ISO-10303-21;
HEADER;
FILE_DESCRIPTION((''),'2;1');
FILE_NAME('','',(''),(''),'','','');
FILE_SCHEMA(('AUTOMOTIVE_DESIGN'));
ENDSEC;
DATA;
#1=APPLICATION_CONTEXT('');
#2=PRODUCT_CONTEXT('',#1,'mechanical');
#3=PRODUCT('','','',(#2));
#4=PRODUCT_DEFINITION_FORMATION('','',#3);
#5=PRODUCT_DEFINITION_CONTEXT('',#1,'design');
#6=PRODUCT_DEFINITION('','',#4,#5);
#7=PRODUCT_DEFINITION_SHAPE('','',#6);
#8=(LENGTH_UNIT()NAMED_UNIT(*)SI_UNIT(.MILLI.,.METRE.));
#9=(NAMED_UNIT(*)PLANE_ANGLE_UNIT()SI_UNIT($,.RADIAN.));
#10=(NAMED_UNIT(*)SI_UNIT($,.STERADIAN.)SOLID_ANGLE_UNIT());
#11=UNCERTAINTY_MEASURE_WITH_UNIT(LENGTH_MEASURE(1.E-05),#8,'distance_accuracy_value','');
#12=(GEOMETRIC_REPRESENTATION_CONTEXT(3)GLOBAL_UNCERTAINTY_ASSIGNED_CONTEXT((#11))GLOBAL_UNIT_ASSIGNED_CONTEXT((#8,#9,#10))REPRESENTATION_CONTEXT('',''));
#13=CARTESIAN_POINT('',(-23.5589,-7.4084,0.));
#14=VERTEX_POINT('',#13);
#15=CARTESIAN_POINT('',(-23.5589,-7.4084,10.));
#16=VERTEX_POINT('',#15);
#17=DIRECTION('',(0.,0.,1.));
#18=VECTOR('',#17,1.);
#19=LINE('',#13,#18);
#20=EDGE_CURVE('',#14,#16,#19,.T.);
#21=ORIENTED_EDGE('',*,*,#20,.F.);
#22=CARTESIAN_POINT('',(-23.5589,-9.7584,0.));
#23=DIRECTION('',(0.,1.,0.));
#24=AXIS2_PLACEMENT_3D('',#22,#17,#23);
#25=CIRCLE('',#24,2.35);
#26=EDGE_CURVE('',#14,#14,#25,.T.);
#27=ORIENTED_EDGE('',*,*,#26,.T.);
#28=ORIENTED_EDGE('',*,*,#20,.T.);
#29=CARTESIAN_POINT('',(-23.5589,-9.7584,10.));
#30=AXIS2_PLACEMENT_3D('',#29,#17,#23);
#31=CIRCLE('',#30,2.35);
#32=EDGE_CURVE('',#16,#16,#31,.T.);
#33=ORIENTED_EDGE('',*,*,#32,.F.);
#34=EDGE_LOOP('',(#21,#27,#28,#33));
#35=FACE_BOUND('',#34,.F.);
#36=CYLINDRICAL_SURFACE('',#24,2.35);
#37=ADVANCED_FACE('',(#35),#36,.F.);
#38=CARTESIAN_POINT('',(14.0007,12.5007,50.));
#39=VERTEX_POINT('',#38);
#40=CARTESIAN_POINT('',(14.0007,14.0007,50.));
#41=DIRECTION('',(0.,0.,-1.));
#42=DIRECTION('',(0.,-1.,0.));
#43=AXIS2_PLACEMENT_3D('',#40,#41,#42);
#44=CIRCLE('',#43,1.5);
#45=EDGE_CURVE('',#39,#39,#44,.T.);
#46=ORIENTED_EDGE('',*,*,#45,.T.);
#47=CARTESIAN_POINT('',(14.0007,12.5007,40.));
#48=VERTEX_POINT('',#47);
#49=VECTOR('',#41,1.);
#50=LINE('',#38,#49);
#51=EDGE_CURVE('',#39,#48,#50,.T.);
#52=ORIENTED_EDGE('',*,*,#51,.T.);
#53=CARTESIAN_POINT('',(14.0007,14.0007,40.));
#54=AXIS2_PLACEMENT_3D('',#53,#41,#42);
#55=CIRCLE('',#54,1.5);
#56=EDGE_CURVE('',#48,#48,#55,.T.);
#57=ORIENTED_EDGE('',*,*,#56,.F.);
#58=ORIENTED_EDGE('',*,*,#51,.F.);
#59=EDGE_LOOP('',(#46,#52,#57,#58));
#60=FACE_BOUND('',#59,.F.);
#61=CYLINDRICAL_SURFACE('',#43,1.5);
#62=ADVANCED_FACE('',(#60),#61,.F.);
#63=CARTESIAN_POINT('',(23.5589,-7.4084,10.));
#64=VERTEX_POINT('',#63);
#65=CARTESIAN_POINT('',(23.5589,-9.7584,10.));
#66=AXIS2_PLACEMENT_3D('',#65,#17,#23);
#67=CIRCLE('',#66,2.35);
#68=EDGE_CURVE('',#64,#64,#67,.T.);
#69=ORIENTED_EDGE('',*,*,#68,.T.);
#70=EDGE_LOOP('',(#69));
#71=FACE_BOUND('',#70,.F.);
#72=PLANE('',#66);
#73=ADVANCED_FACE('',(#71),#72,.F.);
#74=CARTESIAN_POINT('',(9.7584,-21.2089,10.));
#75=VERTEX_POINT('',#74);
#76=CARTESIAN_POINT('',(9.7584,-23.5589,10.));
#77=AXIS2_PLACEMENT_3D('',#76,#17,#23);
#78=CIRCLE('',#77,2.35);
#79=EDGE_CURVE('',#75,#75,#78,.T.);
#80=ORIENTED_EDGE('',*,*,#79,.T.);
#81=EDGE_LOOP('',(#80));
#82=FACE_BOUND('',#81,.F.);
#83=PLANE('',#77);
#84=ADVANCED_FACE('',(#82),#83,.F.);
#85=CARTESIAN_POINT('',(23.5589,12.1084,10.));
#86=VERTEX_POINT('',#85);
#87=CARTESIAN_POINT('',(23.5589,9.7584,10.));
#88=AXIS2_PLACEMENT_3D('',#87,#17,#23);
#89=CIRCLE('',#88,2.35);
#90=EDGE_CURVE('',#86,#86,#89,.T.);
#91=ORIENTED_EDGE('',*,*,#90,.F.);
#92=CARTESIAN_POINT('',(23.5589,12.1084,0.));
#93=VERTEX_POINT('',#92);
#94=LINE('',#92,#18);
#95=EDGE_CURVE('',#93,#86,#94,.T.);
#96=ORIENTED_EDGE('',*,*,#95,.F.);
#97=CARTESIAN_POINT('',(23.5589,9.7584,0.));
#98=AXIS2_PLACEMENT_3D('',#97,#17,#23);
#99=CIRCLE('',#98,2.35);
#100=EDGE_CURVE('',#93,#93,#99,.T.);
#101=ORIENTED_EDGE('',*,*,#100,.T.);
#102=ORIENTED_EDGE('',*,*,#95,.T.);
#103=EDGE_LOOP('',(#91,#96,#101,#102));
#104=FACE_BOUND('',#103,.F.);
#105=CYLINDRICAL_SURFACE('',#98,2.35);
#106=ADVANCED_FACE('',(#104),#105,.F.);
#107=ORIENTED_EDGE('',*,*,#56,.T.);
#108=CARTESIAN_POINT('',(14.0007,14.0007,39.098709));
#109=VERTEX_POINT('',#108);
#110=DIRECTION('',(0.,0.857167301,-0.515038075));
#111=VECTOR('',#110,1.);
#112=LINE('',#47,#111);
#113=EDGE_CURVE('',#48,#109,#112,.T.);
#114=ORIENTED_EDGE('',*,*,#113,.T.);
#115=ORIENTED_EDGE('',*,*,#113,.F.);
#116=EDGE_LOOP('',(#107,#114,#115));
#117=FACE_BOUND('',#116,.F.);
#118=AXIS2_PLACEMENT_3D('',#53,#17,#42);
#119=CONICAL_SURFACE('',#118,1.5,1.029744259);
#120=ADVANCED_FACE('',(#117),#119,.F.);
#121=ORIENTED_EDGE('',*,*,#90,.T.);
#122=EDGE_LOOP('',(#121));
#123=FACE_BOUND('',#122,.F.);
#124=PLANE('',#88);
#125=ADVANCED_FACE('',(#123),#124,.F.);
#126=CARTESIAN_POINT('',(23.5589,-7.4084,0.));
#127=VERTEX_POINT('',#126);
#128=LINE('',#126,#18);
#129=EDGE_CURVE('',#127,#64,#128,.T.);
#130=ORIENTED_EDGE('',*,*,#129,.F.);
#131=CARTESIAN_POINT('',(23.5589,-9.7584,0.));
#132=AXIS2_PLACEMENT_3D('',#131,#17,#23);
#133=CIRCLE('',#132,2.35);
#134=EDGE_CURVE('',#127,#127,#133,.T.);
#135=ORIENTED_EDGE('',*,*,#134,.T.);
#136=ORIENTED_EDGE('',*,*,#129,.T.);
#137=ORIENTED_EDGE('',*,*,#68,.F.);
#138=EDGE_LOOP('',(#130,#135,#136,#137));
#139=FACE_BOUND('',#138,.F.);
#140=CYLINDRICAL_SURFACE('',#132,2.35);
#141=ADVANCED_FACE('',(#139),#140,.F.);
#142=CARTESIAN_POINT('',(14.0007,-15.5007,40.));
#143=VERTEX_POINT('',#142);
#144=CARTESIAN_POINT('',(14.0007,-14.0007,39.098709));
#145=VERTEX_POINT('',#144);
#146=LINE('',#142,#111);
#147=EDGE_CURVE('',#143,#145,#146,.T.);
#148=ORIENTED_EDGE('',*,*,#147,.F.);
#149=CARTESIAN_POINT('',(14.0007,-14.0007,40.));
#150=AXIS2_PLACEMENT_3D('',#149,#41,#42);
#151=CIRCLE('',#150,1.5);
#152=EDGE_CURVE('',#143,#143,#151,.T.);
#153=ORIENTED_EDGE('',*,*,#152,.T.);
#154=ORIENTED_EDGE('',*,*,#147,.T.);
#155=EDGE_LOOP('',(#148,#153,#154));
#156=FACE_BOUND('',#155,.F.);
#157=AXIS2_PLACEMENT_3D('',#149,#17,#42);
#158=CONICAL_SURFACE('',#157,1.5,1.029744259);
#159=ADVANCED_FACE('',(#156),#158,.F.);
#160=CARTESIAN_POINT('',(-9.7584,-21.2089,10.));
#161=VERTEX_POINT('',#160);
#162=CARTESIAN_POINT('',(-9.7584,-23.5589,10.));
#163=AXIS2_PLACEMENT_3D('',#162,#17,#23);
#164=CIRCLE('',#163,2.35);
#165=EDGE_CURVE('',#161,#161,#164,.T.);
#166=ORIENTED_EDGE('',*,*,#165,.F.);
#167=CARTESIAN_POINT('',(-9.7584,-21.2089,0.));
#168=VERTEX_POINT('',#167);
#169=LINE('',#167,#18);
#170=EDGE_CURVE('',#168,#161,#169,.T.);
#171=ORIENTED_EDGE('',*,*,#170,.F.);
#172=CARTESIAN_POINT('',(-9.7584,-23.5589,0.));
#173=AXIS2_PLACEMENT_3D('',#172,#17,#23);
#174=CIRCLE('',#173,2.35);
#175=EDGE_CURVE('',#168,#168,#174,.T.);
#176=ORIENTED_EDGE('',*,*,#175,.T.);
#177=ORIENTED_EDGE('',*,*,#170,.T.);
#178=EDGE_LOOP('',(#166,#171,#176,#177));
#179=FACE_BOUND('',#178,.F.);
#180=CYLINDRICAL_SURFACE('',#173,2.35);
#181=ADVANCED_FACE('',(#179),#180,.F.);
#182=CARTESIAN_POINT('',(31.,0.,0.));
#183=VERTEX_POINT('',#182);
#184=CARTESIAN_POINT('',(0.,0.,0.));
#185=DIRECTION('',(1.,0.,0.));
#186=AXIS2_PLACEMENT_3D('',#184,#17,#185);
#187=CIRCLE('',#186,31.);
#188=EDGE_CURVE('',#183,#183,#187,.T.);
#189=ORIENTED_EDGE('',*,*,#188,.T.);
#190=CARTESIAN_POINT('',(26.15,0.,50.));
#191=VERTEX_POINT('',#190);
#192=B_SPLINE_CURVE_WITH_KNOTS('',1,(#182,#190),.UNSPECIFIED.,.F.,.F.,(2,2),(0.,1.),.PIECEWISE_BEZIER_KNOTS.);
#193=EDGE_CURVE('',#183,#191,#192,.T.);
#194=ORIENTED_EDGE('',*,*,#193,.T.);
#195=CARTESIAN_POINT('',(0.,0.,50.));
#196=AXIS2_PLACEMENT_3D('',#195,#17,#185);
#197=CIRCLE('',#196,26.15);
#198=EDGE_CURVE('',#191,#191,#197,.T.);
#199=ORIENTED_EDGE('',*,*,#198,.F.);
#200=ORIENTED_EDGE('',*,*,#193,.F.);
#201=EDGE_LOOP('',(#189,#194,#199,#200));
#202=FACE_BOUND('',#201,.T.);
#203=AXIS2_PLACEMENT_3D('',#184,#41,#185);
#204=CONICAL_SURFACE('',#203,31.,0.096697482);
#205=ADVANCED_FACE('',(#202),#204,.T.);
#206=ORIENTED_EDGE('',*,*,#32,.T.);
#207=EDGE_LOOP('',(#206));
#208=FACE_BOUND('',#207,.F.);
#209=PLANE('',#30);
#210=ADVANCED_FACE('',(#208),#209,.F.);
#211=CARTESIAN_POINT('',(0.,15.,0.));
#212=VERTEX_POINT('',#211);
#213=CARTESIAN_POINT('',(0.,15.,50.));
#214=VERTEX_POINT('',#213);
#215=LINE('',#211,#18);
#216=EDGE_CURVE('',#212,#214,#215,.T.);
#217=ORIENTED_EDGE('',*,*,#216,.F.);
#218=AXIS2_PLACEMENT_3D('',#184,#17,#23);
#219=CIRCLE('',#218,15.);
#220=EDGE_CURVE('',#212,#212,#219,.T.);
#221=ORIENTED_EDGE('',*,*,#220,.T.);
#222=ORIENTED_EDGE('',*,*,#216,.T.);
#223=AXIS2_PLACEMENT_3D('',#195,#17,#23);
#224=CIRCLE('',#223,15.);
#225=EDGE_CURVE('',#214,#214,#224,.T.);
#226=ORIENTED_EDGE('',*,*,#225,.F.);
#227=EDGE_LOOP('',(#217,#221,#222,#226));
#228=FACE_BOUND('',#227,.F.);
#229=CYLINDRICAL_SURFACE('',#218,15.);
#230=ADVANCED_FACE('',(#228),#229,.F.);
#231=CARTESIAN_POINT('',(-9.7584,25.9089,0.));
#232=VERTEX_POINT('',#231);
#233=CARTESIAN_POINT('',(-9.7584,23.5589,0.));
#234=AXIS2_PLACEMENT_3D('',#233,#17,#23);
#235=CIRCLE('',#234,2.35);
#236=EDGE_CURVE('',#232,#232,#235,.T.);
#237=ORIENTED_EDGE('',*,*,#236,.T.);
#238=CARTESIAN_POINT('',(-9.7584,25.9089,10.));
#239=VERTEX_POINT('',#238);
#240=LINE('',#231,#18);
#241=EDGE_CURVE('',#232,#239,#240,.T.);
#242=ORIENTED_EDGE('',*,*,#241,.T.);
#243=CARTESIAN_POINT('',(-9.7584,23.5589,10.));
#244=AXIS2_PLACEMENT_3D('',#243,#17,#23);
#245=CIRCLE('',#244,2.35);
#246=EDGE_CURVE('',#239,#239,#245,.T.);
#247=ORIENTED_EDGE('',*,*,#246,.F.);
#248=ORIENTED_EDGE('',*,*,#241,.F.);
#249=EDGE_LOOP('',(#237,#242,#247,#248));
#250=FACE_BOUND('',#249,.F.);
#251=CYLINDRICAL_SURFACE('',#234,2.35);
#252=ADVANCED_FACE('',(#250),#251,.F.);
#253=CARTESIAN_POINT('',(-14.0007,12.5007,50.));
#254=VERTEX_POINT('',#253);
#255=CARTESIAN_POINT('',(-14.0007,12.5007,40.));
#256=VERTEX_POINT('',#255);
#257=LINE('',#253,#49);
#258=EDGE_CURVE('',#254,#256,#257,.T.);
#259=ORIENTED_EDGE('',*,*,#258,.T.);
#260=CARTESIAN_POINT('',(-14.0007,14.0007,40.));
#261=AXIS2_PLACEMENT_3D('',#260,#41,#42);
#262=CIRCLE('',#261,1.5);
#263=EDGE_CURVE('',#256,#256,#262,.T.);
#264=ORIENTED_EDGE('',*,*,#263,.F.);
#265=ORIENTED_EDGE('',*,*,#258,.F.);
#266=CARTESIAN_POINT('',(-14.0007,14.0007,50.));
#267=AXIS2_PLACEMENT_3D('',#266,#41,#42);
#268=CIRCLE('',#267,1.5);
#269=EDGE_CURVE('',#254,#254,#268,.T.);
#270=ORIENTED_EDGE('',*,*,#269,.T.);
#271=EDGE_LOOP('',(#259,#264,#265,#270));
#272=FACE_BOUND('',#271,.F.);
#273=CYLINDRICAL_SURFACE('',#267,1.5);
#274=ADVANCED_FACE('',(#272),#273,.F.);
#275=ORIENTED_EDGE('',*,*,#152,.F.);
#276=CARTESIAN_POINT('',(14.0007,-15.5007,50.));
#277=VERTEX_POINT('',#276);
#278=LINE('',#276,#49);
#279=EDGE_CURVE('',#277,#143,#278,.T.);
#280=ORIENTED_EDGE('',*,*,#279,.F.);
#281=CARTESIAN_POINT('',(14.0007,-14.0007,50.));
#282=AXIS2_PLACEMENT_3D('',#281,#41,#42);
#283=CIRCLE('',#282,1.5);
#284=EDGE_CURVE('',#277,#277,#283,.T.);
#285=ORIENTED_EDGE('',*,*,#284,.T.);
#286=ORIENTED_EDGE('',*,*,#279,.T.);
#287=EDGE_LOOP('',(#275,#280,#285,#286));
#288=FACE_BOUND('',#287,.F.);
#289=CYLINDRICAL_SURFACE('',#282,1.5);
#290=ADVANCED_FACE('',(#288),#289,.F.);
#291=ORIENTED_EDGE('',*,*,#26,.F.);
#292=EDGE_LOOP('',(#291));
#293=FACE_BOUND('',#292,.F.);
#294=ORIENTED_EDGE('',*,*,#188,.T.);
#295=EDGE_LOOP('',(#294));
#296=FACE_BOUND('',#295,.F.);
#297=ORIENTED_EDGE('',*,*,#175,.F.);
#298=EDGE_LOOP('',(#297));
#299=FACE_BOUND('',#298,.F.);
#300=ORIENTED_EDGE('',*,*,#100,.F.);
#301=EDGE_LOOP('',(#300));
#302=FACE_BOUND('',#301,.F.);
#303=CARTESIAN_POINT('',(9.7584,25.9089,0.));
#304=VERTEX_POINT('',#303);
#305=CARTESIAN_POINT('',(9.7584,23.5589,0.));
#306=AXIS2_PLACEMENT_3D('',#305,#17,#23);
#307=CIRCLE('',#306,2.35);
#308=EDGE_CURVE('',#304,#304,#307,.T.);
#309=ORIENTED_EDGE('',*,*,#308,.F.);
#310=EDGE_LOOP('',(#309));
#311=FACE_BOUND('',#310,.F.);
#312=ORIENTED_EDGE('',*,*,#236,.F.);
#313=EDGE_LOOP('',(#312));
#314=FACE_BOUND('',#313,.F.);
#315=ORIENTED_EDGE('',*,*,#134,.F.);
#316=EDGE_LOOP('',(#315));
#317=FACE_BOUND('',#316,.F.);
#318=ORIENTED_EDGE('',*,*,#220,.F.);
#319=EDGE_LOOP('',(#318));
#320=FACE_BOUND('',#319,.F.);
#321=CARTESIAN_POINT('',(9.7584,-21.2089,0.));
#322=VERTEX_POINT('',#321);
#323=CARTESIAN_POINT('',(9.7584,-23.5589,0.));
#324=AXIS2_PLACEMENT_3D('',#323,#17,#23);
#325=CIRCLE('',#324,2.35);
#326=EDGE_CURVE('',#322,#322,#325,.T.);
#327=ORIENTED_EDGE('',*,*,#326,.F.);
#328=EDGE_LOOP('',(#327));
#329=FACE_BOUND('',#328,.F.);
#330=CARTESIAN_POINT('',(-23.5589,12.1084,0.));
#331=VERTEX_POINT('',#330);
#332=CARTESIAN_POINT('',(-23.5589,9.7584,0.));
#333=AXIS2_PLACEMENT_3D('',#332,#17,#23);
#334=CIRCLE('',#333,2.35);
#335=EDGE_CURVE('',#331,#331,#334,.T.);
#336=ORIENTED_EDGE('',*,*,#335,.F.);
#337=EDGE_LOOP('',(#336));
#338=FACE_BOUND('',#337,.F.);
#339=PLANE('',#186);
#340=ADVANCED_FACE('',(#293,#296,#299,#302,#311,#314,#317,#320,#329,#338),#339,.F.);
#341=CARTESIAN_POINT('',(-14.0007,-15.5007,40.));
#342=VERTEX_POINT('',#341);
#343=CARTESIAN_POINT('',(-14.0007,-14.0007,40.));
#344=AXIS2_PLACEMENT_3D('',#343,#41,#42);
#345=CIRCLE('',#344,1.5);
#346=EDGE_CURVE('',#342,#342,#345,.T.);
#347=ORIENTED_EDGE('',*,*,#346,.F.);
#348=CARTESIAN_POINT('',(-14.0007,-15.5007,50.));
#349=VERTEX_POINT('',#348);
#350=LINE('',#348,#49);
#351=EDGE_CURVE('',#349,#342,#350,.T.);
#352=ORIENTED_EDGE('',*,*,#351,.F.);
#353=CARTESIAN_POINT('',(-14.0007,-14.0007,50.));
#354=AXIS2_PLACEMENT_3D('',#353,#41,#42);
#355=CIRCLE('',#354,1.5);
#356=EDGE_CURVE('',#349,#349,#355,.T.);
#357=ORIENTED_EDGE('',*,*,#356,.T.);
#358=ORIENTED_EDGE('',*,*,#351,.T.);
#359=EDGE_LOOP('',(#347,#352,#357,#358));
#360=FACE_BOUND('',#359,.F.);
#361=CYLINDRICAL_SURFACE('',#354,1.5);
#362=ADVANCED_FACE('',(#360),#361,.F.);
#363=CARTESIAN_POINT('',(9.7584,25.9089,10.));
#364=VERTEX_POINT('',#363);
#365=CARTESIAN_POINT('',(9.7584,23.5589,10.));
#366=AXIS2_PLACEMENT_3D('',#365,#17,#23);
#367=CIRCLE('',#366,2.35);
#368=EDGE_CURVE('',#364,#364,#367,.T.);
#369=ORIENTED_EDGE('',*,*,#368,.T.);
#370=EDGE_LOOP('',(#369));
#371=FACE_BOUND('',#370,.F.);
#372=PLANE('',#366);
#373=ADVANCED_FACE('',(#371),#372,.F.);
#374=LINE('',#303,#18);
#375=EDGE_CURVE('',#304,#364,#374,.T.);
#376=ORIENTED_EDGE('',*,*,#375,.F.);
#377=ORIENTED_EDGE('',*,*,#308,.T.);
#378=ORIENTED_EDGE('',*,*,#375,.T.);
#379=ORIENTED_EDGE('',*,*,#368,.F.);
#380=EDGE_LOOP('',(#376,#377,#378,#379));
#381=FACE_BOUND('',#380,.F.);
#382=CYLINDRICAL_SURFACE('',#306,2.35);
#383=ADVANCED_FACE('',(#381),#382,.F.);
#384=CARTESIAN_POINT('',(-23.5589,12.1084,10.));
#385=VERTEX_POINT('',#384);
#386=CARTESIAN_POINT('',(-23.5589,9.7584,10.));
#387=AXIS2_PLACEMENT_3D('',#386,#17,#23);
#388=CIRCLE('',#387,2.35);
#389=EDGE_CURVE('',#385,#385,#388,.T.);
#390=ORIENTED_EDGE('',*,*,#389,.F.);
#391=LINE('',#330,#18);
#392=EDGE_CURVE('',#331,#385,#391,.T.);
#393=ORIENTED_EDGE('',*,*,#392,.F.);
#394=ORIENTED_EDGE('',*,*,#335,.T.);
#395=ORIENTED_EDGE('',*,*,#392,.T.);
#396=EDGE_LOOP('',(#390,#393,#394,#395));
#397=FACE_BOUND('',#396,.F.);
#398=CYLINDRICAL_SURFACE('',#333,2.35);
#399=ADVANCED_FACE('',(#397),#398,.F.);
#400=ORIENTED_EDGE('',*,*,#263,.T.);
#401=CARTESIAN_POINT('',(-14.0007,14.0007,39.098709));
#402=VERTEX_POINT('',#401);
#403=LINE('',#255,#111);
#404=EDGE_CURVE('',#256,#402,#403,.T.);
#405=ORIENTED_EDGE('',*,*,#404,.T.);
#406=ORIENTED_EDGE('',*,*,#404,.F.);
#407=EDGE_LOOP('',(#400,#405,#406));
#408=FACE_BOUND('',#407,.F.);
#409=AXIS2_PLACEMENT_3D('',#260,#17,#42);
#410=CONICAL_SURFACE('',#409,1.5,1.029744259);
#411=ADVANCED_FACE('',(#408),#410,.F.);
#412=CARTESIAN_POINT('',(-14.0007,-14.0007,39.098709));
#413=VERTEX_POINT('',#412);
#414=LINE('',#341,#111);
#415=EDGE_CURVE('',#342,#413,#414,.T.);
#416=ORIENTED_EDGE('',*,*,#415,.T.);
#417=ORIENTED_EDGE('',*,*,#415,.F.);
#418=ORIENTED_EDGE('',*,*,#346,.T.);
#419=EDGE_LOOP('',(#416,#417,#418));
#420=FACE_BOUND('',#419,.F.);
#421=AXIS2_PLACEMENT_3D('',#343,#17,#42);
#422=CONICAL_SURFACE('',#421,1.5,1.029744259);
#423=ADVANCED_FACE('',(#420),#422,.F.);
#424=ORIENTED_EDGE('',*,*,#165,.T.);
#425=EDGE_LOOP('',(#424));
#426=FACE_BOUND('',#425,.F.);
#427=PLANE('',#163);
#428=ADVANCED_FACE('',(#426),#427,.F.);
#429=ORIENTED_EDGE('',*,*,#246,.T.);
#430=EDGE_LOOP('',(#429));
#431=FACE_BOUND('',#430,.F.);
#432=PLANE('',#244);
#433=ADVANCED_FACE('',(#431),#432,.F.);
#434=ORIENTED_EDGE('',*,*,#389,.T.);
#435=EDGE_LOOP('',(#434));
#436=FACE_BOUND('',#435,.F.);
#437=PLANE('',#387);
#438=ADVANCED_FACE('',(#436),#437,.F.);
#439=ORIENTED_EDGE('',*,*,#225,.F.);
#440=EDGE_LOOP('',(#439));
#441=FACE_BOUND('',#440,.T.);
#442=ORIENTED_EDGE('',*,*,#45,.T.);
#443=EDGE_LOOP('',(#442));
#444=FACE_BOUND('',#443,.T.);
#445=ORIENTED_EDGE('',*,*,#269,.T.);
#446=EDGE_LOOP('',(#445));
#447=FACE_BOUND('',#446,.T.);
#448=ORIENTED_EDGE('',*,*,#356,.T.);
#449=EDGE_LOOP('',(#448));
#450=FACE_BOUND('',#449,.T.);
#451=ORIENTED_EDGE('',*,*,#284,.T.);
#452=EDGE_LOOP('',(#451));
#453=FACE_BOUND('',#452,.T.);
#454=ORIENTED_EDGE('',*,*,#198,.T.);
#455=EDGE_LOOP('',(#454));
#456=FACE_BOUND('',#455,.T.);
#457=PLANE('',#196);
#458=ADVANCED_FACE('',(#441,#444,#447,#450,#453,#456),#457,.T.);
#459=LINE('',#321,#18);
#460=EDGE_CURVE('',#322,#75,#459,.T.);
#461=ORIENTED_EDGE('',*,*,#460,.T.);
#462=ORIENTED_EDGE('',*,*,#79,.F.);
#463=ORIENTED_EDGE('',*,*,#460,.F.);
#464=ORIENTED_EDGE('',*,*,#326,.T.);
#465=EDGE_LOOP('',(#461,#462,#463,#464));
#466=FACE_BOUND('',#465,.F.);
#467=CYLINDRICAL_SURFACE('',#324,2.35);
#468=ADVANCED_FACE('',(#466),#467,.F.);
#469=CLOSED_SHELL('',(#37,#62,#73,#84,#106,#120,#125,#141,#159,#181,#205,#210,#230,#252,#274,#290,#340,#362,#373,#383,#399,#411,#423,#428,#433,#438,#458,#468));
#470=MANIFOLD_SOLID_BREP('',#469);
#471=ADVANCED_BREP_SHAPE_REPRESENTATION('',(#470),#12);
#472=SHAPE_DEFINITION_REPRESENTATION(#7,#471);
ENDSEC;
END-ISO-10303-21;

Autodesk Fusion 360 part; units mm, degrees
sketch "草图1" plane through (0, 0, 0) normal (0, 0, 1) x (1, 0, 0)
  circle A0 centre (0, 0) radius 26.15 construction
  circle A1 centre (0, 0) radius 25.5 construction
  circle A2 centre (0, 0) radius 31
  line L0 (0, 0) -> (46, 0) construction
  line L1 (0, 0) -> (0, 44.4165) construction
  line L2 (0, 0) -> (38.8757, 16.1028) construction
  circle A3 centre (23.5589, 9.7584) radius 2.35
  circle A4 centre (9.7584, 23.5589) radius 2.35
  circle A5 centre (-9.7584, 23.5589) radius 2.35
  circle A6 centre (-23.5589, 9.7584) radius 2.35
  circle A7 centre (-23.5589, -9.7584) radius 2.35
  circle A8 centre (-9.7584, -23.5589) radius 2.35
  circle A9 centre (9.7584, -23.5589) radius 2.35
  circle A10 centre (23.5589, -9.7584) radius 2.35
  dimension "d1" = 52.3
  dimension "d2" = 51
  dimension "d3" = 62
  dimension "d4" = 22.5
  dimension "d5" = 4.7
  dimension "d8" = 0
  dimension "d9" = 0
  dimension "d11" = 360
ref_plane "工作平面1" through (0, 0, 50) normal (0, 0, 1) x (1, 0, 0)
sketch "草图2" plane through (0, 0, 50) normal (0, 0, 1) x (1, 0, 0)
  circle A0 centre (0, 0) radius 26.15
  circle A1 centre (0, 0) radius 19.8 construction
  line L0 (0, 0) -> (28.4429, 28.4429) construction
  line L1 (0, 0) -> (40.2244, 0) construction
  circle A2 centre (14.0007, 14.0007) radius 1.5
  circle A3 centre (-14.0007, 14.0007) radius 1.5
  circle A4 centre (-14.0007, -14.0007) radius 1.5
  circle A5 centre (14.0007, -14.0007) radius 1.5
  circle A6 centre (14.0007, 14.0007) radius 1.5
  circle A7 centre (-14.0007, 14.0007) radius 1.5
  circle A8 centre (-14.0007, -14.0007) radius 1.5
  circle A9 centre (14.0007, -14.0007) radius 1.5
  dimension "d13" = 52.3
  dimension "d14" = 39.6
  dimension "d15" = 45
  dimension "d16" = 3
  dimension "d18" = 360
  dimension "d19" = 3
loft "放样1" add profiles "草图1", "草图2" section 1 section 2
sketch "草图3" plane through (0, 0, 50) normal (0, 0, 1) x (-1, 0, 0)
  circle A0 centre (0, 0) radius 26.15
  line L0 (0, 0) -> (-33, 0) construction
  line L1 (0, 0) -> (0, -36) construction
  line L2 (0, 0) -> (-34.5137, -34.5137) construction
  circle A1 centre (0, 0) radius 19.8 construction
  circle A2 centre (-14.0007, -14.0007) radius 1.5
  circle A3 centre (14.0007, -14.0007) radius 1.5
  circle A4 centre (14.0007, 14.0007) radius 1.5
  circle A5 centre (-14.0007, 14.0007) radius 1.5
  dimension "d20" = 45
  dimension "d21" = 39.6
  dimension "d22" = 3
  dimension "d24" = 360
hole "孔1" at (14.0007, 14.0007, 50) at (-14.0007, 14.0007, 50) at (-14.0007, -14.0007, 50) at (14.0007, -14.0007, 50) direction (0, 0, -1) diameter 3 depth 10 tip angle 118
sketch "草图4" plane through (0, 0, 0) normal (0, 0, -1) x (1, 0, 0)
  circle A0 centre (0, 0) radius 31
  line L0 (0, 0) -> (47.5733, 0) construction
  line L1 (0, 0) -> (0, -48.4854) construction
  line L2 (0, 0) -> (51.3087, -21.2528) construction
  circle A1 centre (0, 0) radius 25.5 construction
  circle A2 centre (23.5589, -9.7584) radius 2.35
  circle A3 centre (23.5589, 9.7584) radius 2.35
  circle A4 centre (9.7584, 23.5589) radius 2.35
  circle A5 centre (-9.7584, 23.5589) radius 2.35
  circle A6 centre (-23.5589, 9.7584) radius 2.35
  circle A7 centre (-23.5589, -9.7584) radius 2.35
  circle A8 centre (-9.7584, -23.5589) radius 2.35
  circle A9 centre (9.7584, -23.5589) radius 2.35
  dimension "d28" = 22.5
  dimension "d29" = 51
  dimension "d30" = 4.7
  dimension "d32" = 360
hole "孔2" at (9.7584, -23.5589, 0) at (-9.7584, -23.5589, 0) at (-23.5589, -9.7584, 0) at (-23.5589, 9.7584, 0) at (-9.7584, 23.5589, 0) at (9.7584, 23.5589, 0) at (23.5589, 9.7584, 0) at (23.5589, -9.7584, 0) direction (0, 0, 1) diameter 4.7 depth 10 tip angle 180
hole "孔3" at (0, 0, 0) direction (0, 0, 1) diameter 30 end through all
